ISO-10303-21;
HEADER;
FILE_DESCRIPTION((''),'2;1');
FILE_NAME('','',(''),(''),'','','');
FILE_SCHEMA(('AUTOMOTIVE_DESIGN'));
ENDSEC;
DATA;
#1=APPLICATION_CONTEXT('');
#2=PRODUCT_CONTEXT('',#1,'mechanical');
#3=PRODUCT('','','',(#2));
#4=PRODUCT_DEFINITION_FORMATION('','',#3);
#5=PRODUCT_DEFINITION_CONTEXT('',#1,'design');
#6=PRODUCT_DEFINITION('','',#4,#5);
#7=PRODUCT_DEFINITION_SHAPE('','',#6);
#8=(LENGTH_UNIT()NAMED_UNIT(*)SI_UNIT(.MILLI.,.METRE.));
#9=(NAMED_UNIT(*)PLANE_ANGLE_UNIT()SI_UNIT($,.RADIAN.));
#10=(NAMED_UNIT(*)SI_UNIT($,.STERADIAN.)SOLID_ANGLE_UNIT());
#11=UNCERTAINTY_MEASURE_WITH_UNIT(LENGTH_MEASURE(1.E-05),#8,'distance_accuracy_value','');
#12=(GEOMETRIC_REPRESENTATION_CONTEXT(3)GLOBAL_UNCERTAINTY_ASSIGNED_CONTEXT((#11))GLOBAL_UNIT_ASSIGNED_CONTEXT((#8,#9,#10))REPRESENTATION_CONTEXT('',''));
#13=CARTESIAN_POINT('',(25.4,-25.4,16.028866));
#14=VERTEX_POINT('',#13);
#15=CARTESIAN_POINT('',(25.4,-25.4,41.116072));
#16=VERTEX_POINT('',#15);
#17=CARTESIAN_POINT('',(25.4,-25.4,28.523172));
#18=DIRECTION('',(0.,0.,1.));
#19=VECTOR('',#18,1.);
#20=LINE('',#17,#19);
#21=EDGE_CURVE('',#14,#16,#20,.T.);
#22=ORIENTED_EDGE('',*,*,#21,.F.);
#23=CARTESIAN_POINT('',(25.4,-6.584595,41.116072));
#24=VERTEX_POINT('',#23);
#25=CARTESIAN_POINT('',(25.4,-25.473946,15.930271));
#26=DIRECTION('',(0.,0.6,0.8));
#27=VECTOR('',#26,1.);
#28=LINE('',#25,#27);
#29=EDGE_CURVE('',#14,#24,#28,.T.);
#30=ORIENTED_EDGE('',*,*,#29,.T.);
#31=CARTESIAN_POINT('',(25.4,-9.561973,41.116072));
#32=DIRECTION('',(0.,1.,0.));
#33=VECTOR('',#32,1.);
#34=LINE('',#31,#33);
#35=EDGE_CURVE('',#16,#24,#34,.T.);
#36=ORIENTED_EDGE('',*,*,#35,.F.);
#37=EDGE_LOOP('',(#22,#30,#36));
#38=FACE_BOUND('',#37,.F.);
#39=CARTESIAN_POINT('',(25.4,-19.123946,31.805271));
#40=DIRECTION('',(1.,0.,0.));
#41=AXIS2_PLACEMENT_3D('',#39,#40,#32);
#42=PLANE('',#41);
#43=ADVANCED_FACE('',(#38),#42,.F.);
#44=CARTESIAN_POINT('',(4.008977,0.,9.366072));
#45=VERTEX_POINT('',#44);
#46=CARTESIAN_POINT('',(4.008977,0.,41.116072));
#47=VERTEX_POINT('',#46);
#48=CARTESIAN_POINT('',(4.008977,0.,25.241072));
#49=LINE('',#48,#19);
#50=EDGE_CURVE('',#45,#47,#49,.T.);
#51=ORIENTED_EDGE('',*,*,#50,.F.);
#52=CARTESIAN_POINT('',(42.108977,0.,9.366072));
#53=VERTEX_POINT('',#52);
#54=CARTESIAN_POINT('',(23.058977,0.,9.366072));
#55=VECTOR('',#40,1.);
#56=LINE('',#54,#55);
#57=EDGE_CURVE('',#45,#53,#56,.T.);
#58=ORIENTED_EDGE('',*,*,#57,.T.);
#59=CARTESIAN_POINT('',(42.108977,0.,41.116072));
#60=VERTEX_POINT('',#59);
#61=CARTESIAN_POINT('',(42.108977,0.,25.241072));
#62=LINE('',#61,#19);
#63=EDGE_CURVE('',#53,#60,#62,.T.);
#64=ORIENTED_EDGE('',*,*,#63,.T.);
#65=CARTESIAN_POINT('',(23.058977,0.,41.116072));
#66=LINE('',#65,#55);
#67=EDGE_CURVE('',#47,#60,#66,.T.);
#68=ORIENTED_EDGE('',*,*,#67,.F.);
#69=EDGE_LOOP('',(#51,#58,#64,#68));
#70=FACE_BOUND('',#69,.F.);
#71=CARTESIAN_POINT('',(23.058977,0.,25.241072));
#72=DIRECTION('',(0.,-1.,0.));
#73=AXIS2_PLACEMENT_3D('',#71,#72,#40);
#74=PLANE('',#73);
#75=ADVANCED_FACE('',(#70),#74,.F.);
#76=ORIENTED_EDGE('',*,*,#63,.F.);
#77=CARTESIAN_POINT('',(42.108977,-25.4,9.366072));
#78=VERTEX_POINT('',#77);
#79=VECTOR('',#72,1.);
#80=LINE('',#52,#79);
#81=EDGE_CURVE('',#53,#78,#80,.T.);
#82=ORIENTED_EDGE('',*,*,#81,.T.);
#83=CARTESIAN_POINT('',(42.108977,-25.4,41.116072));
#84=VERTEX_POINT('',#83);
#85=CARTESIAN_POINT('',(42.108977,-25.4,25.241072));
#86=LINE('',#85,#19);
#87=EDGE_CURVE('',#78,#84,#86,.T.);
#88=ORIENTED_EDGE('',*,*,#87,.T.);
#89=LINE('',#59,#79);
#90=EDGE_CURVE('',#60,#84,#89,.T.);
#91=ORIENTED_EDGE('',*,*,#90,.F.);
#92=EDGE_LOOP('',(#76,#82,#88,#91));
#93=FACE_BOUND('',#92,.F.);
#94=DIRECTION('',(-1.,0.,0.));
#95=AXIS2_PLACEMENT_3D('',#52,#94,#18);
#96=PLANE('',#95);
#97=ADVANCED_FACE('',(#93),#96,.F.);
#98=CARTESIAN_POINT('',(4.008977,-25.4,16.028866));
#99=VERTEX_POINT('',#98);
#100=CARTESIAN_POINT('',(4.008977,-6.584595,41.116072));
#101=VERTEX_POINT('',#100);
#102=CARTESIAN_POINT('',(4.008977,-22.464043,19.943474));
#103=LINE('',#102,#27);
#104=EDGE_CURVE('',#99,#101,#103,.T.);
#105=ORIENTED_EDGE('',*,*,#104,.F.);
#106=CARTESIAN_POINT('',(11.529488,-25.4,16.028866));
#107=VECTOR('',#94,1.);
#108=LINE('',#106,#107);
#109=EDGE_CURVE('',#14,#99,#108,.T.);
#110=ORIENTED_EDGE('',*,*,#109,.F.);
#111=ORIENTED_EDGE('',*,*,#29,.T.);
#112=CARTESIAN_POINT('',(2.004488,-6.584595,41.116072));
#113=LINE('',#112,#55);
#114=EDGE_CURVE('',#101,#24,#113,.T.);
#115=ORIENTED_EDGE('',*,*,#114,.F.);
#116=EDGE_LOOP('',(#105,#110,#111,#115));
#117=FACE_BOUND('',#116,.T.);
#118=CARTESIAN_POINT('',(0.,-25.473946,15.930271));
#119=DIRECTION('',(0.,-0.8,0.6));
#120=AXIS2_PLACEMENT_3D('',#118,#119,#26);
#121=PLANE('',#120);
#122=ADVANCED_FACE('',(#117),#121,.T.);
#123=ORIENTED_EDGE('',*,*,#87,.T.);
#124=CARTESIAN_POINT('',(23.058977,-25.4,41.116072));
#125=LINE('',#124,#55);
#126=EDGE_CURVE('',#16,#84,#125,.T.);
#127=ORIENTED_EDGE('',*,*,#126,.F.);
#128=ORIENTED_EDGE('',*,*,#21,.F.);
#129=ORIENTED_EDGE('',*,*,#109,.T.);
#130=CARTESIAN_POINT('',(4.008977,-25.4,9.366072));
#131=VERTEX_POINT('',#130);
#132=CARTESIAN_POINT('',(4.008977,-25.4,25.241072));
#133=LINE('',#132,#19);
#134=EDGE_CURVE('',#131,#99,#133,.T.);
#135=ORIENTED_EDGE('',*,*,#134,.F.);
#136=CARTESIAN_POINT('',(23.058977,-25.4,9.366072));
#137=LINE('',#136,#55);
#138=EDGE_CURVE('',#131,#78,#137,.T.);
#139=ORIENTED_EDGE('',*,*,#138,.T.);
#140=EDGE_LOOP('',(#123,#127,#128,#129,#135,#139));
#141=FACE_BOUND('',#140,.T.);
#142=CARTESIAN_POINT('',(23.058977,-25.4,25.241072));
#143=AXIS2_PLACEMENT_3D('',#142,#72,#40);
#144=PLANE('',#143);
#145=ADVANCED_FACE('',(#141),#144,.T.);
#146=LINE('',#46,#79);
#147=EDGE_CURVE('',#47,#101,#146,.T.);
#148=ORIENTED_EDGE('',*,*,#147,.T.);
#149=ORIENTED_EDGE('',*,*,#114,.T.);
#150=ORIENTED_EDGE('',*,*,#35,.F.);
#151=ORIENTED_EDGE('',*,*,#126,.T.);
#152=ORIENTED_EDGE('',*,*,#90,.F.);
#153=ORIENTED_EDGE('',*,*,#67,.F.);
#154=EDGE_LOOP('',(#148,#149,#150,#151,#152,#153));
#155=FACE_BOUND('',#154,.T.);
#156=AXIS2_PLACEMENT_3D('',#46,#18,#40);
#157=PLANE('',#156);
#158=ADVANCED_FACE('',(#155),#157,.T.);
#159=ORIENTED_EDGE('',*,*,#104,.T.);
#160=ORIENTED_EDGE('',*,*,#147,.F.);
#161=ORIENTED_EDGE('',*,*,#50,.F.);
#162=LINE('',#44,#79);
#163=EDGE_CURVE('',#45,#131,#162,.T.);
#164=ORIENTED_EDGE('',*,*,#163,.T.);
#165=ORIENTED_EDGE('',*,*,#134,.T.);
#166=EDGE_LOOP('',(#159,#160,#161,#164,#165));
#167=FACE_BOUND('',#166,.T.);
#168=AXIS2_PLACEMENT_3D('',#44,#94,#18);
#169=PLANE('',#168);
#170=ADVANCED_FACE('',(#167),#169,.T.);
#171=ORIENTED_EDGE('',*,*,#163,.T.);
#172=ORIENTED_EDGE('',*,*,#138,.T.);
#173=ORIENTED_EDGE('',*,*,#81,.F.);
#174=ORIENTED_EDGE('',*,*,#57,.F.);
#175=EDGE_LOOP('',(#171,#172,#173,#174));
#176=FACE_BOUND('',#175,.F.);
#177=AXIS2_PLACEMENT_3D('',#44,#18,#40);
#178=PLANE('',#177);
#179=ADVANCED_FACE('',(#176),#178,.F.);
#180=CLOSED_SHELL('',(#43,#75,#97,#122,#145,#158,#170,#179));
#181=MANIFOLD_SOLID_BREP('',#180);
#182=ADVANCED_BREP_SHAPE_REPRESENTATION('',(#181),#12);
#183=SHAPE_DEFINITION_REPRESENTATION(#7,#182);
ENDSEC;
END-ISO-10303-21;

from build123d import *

# Parameters (mm, degrees)
F0_W      = 38.1
F0_H      = 31.75
F1_DEPTH  = 25.4
F1_FACE_W = 25.4
F1_FACE_H = 31.75
F3_DEPTH  = 25.4


with BuildPart() as f1:
    # F0 (on Front) → F1 (new body)
    with BuildSketch(Plane.XZ):
        with Locations((23.058977, 25.241072)):
            Rectangle(F0_W, F0_H)
    extrude(amount=F1_DEPTH)

    # F2 (on Right) + F1_face (on face) → F3 (cut)
    with BuildSketch(Plane.YZ):
        Polygon((-25.473946, 41.330271), (-25.473946, 15.930271), (-6.423946, 41.330271), align=None)
    with BuildSketch(Plane(origin=(42.108977, -12.7, 25.241072), x_dir=(0, 1, 0), z_dir=(1, 0, 0))):
        Rectangle(F1_FACE_W, F1_FACE_H)
    extrude(amount=F3_DEPTH, mode=Mode.SUBTRACT)


solid = f1.part
